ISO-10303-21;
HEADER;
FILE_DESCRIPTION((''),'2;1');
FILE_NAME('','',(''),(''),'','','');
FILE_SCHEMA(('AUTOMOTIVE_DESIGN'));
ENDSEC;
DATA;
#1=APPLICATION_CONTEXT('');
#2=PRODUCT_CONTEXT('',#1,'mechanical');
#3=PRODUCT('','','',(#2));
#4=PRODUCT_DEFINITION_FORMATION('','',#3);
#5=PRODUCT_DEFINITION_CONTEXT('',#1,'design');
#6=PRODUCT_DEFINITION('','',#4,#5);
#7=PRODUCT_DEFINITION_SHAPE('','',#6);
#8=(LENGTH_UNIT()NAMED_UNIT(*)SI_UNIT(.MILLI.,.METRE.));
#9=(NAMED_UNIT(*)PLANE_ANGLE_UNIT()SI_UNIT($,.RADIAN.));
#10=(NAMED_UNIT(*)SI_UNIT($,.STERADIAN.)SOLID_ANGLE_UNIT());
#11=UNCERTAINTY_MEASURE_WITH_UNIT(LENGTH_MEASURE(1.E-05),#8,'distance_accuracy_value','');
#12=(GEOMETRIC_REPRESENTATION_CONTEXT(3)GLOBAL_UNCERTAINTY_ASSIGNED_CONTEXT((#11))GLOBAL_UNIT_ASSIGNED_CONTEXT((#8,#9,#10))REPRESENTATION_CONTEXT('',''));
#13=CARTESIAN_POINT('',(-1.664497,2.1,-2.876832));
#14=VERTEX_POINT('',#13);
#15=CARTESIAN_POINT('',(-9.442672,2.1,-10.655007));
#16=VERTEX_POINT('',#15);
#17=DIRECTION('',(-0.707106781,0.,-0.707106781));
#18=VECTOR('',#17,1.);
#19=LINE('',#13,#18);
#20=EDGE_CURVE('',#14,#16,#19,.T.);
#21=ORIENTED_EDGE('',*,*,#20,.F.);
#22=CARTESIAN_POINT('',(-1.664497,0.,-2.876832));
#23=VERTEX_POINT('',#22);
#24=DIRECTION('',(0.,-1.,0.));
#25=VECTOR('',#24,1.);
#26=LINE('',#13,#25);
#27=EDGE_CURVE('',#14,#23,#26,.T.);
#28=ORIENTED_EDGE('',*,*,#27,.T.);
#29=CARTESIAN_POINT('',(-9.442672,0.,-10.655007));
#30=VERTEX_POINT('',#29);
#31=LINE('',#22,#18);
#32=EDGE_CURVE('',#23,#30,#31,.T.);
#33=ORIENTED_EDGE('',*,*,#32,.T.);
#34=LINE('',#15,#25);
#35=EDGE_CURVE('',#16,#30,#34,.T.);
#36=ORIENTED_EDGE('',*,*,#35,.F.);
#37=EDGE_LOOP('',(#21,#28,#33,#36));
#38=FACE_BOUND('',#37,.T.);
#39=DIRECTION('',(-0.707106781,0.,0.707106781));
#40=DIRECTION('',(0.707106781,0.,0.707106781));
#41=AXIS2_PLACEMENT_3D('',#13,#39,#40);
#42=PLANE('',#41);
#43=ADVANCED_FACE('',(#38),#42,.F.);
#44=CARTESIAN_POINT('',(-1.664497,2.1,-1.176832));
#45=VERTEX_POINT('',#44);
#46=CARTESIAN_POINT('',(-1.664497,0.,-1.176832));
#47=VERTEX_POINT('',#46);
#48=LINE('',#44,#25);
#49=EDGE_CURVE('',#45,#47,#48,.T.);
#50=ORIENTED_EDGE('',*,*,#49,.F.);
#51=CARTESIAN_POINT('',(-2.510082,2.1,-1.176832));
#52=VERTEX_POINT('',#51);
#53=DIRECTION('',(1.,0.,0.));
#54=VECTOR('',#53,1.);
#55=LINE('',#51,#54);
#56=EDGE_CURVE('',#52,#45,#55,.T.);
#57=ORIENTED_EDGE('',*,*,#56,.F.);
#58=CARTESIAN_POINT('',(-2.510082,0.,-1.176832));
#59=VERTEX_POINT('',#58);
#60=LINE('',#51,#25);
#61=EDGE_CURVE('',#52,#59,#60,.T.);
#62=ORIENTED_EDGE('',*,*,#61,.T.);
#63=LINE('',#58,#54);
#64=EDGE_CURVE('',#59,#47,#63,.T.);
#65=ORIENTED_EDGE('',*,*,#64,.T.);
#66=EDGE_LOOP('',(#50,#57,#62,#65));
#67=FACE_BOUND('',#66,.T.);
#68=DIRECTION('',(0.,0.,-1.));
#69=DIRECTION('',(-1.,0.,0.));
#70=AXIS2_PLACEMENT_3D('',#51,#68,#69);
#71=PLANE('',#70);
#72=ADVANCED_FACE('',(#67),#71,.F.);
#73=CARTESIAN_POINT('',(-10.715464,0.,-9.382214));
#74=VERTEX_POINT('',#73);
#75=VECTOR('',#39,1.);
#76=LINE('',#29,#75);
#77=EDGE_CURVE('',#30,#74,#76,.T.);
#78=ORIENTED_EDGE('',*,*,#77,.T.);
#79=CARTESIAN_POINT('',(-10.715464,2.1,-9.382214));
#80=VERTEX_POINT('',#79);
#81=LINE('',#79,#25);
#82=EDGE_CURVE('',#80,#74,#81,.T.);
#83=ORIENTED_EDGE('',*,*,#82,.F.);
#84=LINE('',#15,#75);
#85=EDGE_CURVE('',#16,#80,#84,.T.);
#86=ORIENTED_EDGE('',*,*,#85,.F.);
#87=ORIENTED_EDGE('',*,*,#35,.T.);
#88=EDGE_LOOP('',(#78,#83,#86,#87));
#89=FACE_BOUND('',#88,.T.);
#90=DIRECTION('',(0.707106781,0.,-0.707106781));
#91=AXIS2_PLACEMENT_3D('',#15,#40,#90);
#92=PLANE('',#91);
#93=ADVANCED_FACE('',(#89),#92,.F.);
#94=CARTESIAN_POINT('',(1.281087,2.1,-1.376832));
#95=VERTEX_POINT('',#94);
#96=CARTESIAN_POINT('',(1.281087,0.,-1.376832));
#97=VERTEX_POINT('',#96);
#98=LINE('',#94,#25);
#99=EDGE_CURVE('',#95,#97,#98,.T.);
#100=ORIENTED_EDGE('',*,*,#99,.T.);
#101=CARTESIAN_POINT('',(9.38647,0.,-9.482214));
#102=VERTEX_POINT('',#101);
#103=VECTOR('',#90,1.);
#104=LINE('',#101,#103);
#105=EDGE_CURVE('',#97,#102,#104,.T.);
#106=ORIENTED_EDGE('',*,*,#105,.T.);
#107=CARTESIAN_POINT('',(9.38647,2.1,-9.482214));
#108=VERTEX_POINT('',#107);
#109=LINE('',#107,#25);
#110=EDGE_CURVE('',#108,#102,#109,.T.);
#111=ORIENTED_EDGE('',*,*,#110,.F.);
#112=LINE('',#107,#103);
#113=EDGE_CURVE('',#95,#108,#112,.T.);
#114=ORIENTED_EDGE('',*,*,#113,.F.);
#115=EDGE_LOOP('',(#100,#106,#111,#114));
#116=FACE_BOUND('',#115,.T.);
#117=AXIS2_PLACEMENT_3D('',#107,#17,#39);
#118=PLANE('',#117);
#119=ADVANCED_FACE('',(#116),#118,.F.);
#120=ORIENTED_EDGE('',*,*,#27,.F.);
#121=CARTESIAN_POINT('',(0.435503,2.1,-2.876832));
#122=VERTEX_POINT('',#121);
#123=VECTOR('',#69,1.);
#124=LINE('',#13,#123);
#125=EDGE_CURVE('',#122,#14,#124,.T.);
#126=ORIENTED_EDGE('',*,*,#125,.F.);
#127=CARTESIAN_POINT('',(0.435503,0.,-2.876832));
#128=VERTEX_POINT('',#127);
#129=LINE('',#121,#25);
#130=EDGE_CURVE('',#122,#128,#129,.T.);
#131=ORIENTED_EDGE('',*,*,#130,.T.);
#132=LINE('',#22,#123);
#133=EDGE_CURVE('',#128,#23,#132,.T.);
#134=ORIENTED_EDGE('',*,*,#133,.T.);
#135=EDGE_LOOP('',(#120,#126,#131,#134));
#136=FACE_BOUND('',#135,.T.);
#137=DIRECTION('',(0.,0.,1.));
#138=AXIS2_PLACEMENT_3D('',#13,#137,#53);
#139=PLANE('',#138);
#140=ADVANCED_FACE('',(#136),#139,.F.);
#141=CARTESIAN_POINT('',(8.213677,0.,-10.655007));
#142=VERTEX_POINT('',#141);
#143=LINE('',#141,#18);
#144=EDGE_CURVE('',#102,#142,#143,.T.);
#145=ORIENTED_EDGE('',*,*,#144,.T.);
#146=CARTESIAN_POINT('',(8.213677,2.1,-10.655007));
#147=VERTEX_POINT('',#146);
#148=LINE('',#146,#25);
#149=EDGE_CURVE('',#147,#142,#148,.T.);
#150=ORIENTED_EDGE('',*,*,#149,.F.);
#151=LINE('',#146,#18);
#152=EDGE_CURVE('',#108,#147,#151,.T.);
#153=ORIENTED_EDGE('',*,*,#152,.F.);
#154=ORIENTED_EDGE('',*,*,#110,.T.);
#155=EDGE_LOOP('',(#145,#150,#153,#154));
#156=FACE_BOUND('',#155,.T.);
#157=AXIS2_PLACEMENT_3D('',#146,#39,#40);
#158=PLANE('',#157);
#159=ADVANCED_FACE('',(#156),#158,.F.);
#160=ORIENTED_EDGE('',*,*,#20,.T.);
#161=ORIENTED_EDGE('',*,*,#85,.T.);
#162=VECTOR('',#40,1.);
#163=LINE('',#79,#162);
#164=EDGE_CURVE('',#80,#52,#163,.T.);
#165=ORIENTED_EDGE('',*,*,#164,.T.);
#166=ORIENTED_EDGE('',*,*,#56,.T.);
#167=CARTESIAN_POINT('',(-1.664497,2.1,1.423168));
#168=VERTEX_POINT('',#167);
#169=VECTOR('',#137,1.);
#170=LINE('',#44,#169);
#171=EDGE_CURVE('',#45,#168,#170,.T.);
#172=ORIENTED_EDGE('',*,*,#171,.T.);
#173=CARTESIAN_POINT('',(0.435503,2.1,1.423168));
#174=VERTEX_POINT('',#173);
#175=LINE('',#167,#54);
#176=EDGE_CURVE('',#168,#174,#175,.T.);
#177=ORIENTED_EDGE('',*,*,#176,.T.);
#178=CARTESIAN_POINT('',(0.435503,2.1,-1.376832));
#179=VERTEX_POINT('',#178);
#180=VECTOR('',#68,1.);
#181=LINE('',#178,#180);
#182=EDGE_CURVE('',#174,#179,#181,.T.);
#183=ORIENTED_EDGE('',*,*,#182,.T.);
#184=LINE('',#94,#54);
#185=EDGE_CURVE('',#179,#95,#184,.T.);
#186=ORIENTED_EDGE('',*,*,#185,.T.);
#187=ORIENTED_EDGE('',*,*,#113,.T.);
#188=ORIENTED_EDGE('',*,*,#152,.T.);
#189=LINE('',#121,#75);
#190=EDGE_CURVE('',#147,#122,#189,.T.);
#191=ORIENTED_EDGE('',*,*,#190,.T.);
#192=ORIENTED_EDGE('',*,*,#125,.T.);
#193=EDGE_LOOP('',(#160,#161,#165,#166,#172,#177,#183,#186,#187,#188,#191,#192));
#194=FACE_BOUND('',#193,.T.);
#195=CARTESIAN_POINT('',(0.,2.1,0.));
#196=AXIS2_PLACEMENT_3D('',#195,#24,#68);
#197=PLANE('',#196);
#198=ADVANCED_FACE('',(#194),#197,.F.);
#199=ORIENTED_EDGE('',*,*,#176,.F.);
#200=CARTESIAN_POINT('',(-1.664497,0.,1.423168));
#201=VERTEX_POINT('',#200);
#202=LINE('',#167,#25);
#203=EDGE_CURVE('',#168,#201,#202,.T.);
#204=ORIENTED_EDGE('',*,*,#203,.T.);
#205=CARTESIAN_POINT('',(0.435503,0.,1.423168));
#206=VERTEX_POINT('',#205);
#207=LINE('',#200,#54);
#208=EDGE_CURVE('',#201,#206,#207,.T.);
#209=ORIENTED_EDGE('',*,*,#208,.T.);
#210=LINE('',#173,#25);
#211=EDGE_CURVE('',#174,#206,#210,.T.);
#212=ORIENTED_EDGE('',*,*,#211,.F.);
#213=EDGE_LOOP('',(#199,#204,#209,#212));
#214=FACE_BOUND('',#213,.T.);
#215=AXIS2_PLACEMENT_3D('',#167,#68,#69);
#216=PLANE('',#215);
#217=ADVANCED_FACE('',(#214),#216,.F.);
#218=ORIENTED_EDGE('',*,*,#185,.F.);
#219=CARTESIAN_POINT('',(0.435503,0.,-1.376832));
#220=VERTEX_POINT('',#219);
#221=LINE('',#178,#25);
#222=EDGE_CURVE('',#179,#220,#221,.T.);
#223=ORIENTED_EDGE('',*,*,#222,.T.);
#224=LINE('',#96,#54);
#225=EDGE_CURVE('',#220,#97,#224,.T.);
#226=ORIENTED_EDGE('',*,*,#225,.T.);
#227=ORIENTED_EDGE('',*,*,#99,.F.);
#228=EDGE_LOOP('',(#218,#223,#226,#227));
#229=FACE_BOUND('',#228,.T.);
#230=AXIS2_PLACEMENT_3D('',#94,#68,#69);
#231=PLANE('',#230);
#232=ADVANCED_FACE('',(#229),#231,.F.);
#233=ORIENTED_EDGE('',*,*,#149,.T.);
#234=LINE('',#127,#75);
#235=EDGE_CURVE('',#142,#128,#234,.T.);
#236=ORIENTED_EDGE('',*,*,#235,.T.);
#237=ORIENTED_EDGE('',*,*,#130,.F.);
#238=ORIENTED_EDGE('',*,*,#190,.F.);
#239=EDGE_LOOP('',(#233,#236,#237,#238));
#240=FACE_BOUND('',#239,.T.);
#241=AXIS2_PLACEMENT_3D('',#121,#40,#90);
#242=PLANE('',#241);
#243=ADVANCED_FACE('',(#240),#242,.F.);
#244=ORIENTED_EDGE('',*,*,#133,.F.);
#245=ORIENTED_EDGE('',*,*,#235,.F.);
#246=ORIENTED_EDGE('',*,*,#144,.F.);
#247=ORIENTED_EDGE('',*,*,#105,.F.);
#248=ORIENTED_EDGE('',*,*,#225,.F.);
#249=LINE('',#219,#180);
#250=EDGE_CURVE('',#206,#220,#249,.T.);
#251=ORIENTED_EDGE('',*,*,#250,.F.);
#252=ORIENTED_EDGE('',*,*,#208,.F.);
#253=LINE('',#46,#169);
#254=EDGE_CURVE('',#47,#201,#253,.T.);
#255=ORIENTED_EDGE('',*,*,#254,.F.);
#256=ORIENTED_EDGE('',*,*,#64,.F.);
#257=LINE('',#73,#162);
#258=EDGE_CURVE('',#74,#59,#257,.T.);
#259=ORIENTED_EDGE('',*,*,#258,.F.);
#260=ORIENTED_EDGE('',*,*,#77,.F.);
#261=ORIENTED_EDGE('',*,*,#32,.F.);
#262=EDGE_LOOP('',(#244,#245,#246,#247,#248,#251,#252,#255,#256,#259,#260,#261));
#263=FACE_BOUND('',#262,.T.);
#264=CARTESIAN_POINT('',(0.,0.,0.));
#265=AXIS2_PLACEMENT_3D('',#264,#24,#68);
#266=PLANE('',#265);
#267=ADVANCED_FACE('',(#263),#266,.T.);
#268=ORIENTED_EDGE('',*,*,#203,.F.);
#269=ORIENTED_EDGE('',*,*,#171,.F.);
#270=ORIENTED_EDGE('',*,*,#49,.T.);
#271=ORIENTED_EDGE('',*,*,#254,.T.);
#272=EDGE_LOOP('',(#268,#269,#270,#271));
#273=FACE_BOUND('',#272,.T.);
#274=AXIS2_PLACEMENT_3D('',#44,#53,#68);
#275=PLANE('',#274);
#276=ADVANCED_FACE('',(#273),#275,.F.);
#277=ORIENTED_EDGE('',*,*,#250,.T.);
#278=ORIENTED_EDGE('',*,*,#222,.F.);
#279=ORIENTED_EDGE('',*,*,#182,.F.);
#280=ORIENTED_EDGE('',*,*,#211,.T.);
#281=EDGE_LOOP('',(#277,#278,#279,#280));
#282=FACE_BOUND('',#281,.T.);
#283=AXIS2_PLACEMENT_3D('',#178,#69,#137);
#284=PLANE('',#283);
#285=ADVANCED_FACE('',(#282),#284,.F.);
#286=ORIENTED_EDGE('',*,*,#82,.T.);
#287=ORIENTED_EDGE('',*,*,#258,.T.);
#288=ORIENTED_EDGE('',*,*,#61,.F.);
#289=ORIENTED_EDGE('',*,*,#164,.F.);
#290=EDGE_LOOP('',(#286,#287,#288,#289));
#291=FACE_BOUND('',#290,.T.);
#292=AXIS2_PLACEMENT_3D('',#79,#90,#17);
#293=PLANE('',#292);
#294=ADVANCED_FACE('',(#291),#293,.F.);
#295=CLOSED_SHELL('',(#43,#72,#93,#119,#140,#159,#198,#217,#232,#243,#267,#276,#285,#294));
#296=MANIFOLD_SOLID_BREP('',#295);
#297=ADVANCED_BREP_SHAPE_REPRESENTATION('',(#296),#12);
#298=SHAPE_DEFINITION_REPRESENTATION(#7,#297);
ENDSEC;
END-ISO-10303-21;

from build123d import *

# Parameters (mm, degrees)
EXTRUDE_1_DEPTH = 2.1


with BuildPart() as part:
    # 草图1 → 凸台-拉伸1 (new body)
    with BuildSketch(Plane(origin=(0, 0, 0), x_dir=(1, 0, 0), z_dir=(0, 1, 0))):
        Polygon((0.435502757, 2.876832098), (8.21367735, 10.655006691), (9.386469556, 9.482214485), (1.28108717, 1.376832098), (0.435502757, 1.376832098), (0.435502757, -1.423167902), (-1.664497243, -1.423167902), (-1.664497243, 1.176832098), (-2.510081655, 1.176832098), (-10.715464042, 9.382214485), (-9.442671836, 10.655006691), (-1.664497243, 2.876832098), align=None)
    extrude(amount=EXTRUDE_1_DEPTH)


solid = part.part
